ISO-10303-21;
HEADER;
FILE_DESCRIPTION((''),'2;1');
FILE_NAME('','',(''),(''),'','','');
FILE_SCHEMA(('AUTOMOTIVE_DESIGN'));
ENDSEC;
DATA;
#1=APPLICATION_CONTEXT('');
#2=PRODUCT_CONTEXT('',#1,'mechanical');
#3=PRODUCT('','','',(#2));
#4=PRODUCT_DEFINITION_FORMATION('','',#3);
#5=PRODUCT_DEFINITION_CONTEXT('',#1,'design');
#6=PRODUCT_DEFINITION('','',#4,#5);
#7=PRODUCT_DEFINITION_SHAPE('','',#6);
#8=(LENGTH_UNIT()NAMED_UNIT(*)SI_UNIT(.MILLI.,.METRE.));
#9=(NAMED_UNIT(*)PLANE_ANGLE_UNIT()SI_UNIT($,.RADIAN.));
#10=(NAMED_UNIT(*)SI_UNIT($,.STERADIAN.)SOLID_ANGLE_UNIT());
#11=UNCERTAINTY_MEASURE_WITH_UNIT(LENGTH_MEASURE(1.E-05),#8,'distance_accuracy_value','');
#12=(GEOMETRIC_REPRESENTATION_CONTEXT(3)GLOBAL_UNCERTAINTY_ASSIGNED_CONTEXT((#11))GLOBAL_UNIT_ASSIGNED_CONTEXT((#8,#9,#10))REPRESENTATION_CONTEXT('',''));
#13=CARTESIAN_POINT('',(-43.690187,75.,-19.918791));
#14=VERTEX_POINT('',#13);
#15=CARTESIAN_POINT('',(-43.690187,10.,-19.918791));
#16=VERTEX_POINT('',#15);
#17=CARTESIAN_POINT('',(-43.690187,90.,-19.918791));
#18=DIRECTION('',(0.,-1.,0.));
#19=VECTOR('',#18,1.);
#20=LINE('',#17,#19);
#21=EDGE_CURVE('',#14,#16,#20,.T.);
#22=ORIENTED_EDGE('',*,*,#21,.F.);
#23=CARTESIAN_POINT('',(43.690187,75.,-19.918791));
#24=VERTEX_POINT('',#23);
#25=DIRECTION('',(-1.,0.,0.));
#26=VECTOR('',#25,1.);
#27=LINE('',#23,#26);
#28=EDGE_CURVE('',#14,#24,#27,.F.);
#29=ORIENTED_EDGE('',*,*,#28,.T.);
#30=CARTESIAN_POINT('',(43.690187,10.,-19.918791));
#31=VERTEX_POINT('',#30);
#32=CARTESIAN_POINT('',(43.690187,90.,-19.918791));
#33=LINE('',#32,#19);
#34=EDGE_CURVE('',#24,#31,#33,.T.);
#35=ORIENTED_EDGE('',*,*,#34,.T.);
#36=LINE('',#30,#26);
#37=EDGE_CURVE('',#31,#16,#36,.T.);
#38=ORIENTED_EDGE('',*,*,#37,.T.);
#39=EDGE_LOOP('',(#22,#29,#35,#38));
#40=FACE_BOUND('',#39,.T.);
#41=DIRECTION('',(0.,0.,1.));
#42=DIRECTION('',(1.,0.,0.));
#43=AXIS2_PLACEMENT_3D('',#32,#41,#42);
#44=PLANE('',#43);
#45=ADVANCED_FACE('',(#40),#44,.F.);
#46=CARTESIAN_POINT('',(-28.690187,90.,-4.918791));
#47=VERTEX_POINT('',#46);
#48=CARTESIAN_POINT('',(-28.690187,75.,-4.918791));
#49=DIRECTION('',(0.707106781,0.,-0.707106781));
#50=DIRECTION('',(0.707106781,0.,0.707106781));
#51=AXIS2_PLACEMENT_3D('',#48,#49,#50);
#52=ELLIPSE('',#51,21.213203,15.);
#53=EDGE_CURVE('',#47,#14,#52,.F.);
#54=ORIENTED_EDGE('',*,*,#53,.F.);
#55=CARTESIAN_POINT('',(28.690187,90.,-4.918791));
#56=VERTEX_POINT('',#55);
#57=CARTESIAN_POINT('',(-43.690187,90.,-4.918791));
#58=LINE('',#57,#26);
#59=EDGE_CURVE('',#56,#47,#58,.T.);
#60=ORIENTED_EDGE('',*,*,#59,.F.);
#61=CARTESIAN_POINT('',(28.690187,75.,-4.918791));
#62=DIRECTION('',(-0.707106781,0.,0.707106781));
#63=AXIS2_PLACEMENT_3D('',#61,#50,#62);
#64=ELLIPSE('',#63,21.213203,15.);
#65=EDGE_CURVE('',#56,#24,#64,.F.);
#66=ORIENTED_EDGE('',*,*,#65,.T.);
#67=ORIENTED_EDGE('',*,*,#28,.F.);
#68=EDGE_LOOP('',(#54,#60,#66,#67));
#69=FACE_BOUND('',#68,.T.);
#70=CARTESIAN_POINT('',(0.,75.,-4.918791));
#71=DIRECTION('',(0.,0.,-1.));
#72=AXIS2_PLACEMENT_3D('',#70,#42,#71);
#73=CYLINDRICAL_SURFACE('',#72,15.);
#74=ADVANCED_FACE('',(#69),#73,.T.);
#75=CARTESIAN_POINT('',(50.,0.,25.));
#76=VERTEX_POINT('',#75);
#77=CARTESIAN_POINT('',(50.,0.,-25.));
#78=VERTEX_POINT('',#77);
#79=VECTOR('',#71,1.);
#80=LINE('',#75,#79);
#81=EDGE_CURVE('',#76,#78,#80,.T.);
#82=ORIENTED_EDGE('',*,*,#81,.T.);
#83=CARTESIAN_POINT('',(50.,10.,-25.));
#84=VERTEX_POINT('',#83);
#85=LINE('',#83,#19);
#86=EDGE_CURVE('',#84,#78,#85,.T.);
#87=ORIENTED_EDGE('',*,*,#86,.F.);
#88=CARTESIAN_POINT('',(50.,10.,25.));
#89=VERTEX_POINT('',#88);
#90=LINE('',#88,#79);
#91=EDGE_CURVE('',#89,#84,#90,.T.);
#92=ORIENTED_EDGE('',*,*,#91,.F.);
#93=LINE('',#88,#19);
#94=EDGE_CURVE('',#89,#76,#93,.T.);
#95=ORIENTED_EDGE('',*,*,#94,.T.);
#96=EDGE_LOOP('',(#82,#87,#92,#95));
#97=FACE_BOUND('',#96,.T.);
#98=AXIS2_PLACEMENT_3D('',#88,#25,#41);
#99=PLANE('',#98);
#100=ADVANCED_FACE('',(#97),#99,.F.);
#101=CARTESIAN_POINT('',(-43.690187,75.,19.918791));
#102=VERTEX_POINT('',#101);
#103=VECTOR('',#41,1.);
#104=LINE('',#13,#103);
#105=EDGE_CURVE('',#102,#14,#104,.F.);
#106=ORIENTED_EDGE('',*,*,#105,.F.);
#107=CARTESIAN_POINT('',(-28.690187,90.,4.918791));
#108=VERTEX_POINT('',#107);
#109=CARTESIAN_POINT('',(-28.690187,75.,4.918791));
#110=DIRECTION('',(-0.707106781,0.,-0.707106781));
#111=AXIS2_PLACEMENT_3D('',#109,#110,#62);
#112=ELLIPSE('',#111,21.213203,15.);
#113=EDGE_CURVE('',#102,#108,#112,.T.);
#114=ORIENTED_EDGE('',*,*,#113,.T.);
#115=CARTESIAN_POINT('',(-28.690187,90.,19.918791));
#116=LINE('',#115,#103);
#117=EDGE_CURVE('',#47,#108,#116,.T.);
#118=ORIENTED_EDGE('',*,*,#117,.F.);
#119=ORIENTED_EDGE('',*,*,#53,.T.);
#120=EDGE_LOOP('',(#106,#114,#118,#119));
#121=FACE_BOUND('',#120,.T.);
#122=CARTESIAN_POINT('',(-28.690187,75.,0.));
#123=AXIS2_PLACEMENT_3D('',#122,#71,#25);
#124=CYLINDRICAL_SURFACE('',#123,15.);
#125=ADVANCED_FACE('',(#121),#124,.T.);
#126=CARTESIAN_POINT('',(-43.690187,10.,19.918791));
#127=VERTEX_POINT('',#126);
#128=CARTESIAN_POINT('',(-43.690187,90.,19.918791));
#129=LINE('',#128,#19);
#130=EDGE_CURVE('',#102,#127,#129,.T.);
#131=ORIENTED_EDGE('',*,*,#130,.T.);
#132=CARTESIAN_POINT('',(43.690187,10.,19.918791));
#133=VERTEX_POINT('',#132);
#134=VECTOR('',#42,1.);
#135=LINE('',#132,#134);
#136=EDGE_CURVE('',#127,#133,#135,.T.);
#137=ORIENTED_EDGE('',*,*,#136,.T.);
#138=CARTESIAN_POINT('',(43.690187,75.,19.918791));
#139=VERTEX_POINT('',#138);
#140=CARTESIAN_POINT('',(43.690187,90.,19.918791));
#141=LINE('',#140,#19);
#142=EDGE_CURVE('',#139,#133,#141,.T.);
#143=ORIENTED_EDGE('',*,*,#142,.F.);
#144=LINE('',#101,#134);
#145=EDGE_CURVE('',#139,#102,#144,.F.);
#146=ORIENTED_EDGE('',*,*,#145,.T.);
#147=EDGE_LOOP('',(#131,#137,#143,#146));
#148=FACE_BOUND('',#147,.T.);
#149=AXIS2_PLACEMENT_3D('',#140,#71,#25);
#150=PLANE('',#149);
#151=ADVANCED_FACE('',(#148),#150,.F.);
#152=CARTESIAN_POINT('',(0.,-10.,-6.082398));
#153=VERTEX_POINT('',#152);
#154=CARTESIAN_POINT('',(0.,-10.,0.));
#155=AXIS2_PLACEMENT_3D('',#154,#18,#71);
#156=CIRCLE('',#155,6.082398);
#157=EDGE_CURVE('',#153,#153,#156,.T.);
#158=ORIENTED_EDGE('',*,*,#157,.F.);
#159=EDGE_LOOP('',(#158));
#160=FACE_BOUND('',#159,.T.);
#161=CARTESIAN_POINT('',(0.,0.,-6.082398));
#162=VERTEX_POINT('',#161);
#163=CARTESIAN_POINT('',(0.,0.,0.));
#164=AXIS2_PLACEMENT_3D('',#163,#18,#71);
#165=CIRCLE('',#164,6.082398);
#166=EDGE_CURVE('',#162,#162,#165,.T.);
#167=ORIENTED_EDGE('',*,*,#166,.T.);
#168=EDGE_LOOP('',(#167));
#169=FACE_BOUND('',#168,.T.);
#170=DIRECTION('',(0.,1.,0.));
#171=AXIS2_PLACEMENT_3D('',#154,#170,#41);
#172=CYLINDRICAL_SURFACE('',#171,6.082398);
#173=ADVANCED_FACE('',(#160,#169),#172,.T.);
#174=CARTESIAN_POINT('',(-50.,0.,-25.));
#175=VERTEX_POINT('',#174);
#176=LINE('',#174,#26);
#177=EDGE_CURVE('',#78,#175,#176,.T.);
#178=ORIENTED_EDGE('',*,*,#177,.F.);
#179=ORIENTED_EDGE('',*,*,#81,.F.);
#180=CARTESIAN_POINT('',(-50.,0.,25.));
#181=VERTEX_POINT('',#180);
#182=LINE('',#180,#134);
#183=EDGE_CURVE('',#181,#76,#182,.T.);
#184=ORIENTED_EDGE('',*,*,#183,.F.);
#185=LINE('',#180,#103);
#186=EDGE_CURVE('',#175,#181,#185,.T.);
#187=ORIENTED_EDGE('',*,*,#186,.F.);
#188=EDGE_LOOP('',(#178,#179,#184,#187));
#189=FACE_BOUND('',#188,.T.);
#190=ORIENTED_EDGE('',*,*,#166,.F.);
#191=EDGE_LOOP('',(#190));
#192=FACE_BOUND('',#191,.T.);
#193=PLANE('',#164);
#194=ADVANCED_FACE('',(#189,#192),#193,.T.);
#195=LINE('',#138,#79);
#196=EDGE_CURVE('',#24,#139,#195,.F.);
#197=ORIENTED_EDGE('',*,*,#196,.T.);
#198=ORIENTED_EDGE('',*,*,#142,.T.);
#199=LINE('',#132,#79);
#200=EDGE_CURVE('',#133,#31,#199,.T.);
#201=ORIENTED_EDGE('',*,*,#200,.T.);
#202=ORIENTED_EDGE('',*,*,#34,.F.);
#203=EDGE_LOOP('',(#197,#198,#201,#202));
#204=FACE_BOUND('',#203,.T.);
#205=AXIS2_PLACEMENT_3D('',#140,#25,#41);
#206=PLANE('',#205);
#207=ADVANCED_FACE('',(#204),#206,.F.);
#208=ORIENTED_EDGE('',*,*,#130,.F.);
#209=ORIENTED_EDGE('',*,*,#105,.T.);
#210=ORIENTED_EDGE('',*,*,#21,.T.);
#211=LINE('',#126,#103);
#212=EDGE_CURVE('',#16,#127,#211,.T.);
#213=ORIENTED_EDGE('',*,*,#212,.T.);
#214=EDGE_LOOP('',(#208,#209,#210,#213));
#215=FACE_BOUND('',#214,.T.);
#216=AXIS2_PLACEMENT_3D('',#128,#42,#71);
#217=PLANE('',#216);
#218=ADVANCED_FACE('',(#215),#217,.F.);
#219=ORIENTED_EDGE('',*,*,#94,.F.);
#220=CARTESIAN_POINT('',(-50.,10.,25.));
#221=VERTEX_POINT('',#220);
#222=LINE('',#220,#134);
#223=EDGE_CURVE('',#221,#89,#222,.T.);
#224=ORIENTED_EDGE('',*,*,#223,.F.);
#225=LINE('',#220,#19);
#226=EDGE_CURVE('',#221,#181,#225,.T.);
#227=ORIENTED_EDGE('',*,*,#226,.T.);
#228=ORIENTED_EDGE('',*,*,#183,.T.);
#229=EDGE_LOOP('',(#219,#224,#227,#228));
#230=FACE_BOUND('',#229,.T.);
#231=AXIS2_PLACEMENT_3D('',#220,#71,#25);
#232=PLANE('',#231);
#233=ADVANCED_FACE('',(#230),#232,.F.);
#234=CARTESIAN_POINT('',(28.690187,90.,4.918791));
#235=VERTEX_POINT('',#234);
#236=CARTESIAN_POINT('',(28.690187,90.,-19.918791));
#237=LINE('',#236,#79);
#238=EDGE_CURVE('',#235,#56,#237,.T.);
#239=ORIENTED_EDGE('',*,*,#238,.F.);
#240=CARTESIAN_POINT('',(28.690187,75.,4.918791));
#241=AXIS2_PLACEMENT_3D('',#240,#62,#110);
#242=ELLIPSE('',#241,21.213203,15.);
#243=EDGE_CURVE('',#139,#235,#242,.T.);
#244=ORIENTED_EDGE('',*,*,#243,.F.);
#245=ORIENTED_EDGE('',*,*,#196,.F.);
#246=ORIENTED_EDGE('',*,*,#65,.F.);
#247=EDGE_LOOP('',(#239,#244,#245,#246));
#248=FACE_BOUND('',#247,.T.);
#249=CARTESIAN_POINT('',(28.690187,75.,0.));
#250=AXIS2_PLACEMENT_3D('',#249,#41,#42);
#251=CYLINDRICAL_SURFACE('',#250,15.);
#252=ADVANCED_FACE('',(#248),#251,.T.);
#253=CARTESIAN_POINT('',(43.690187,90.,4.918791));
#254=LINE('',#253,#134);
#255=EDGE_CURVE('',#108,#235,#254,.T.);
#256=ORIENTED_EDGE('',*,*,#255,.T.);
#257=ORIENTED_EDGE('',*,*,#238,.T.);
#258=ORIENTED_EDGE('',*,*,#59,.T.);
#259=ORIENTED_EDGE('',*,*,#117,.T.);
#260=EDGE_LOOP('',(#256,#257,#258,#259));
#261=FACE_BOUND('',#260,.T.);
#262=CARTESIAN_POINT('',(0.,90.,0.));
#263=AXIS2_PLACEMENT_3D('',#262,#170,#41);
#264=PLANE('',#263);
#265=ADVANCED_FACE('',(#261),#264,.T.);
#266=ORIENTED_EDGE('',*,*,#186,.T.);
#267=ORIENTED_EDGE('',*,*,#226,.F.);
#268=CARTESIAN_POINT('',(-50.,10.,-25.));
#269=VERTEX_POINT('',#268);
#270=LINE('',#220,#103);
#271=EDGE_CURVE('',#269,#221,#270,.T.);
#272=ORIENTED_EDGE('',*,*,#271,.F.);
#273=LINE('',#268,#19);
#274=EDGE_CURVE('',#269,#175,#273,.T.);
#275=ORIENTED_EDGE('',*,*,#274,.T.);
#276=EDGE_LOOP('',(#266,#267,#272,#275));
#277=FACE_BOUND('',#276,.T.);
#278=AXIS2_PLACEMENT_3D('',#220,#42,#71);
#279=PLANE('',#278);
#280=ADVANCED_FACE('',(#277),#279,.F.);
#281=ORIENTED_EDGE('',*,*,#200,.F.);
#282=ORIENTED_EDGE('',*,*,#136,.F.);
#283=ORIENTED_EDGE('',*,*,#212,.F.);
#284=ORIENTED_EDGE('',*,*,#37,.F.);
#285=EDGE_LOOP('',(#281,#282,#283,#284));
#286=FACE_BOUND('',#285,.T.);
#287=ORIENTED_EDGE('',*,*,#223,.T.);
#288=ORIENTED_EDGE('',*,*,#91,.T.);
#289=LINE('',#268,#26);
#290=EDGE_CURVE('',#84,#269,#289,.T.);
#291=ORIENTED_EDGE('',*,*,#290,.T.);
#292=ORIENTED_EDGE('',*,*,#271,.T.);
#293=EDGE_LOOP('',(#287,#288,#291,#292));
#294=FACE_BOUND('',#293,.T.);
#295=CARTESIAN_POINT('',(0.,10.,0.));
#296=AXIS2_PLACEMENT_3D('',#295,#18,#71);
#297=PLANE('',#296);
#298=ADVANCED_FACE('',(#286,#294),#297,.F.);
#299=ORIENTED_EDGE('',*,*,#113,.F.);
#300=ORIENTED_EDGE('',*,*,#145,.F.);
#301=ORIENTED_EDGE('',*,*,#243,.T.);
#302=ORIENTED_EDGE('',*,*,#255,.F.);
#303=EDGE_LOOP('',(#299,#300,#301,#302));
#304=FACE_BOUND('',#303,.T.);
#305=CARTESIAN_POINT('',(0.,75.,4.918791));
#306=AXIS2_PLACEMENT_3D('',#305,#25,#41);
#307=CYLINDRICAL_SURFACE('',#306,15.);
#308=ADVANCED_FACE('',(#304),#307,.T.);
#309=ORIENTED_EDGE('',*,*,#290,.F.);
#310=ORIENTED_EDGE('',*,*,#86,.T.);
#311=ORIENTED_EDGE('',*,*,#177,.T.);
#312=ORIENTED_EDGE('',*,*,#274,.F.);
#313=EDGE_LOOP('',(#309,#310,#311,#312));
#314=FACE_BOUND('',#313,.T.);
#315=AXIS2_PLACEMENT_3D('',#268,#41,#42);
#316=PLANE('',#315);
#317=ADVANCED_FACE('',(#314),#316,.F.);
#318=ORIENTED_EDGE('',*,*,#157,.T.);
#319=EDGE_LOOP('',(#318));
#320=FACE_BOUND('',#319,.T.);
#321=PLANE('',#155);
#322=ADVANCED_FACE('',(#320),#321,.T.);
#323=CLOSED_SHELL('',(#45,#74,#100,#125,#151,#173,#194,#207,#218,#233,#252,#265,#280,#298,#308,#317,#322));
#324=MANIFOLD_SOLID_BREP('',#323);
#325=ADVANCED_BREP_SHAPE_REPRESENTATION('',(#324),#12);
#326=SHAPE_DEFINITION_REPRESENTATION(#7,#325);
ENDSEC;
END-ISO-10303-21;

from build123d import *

# Parameters (mm, degrees)
CROQUIS1_W              = 100
CROQUIS1_H              = 50
SALIENTE_EXTRUIR1_DEPTH = 10
CROQUIS2_W              = 87.380374462
CROQUIS2_H              = 39.837581604
SALIENTE_EXTRUIR2_DEPTH = 80
REDONDEO1_R             = 15
CROQUIS3_R              = 6.082397519
SALIENTE_EXTRUIR3_DEPTH = 10


with BuildPart() as part:
    # Croquis1 → Saliente-Extruir1 (new body)
    with BuildSketch(Plane(origin=(0, 0, 0), x_dir=(1, 0, 0), z_dir=(0, 1, 0))):
        Rectangle(CROQUIS1_W, CROQUIS1_H)
    extrude(amount=SALIENTE_EXTRUIR1_DEPTH)

    # Croquis2 → Saliente-Extruir2 (add)
    with BuildSketch(Plane(origin=(0, 10, 0), x_dir=(1, 0, 0), z_dir=(0, 1, 0))):
        Rectangle(CROQUIS2_W, CROQUIS2_H)
    extrude(amount=SALIENTE_EXTRUIR2_DEPTH)

    # Redondeo1
    redondeo1_edges = [part.edges().sort_by_distance(p)[0] for p in [
        (-43.690187231, 90, 0),
        (0, 90, 19.918790802),
        (43.690187231, 90, 0),
        (0, 90, -19.918790802),
    ]]
    fillet(redondeo1_edges, radius=REDONDEO1_R)

    # Croquis3 → Saliente-Extruir3 (add)
    with BuildSketch(Plane.XZ):
        with Locations(Location((0, 0, 0), (0, 0, 270))):
            Circle(CROQUIS3_R)
    extrude(amount=SALIENTE_EXTRUIR3_DEPTH)


solid = part.part
